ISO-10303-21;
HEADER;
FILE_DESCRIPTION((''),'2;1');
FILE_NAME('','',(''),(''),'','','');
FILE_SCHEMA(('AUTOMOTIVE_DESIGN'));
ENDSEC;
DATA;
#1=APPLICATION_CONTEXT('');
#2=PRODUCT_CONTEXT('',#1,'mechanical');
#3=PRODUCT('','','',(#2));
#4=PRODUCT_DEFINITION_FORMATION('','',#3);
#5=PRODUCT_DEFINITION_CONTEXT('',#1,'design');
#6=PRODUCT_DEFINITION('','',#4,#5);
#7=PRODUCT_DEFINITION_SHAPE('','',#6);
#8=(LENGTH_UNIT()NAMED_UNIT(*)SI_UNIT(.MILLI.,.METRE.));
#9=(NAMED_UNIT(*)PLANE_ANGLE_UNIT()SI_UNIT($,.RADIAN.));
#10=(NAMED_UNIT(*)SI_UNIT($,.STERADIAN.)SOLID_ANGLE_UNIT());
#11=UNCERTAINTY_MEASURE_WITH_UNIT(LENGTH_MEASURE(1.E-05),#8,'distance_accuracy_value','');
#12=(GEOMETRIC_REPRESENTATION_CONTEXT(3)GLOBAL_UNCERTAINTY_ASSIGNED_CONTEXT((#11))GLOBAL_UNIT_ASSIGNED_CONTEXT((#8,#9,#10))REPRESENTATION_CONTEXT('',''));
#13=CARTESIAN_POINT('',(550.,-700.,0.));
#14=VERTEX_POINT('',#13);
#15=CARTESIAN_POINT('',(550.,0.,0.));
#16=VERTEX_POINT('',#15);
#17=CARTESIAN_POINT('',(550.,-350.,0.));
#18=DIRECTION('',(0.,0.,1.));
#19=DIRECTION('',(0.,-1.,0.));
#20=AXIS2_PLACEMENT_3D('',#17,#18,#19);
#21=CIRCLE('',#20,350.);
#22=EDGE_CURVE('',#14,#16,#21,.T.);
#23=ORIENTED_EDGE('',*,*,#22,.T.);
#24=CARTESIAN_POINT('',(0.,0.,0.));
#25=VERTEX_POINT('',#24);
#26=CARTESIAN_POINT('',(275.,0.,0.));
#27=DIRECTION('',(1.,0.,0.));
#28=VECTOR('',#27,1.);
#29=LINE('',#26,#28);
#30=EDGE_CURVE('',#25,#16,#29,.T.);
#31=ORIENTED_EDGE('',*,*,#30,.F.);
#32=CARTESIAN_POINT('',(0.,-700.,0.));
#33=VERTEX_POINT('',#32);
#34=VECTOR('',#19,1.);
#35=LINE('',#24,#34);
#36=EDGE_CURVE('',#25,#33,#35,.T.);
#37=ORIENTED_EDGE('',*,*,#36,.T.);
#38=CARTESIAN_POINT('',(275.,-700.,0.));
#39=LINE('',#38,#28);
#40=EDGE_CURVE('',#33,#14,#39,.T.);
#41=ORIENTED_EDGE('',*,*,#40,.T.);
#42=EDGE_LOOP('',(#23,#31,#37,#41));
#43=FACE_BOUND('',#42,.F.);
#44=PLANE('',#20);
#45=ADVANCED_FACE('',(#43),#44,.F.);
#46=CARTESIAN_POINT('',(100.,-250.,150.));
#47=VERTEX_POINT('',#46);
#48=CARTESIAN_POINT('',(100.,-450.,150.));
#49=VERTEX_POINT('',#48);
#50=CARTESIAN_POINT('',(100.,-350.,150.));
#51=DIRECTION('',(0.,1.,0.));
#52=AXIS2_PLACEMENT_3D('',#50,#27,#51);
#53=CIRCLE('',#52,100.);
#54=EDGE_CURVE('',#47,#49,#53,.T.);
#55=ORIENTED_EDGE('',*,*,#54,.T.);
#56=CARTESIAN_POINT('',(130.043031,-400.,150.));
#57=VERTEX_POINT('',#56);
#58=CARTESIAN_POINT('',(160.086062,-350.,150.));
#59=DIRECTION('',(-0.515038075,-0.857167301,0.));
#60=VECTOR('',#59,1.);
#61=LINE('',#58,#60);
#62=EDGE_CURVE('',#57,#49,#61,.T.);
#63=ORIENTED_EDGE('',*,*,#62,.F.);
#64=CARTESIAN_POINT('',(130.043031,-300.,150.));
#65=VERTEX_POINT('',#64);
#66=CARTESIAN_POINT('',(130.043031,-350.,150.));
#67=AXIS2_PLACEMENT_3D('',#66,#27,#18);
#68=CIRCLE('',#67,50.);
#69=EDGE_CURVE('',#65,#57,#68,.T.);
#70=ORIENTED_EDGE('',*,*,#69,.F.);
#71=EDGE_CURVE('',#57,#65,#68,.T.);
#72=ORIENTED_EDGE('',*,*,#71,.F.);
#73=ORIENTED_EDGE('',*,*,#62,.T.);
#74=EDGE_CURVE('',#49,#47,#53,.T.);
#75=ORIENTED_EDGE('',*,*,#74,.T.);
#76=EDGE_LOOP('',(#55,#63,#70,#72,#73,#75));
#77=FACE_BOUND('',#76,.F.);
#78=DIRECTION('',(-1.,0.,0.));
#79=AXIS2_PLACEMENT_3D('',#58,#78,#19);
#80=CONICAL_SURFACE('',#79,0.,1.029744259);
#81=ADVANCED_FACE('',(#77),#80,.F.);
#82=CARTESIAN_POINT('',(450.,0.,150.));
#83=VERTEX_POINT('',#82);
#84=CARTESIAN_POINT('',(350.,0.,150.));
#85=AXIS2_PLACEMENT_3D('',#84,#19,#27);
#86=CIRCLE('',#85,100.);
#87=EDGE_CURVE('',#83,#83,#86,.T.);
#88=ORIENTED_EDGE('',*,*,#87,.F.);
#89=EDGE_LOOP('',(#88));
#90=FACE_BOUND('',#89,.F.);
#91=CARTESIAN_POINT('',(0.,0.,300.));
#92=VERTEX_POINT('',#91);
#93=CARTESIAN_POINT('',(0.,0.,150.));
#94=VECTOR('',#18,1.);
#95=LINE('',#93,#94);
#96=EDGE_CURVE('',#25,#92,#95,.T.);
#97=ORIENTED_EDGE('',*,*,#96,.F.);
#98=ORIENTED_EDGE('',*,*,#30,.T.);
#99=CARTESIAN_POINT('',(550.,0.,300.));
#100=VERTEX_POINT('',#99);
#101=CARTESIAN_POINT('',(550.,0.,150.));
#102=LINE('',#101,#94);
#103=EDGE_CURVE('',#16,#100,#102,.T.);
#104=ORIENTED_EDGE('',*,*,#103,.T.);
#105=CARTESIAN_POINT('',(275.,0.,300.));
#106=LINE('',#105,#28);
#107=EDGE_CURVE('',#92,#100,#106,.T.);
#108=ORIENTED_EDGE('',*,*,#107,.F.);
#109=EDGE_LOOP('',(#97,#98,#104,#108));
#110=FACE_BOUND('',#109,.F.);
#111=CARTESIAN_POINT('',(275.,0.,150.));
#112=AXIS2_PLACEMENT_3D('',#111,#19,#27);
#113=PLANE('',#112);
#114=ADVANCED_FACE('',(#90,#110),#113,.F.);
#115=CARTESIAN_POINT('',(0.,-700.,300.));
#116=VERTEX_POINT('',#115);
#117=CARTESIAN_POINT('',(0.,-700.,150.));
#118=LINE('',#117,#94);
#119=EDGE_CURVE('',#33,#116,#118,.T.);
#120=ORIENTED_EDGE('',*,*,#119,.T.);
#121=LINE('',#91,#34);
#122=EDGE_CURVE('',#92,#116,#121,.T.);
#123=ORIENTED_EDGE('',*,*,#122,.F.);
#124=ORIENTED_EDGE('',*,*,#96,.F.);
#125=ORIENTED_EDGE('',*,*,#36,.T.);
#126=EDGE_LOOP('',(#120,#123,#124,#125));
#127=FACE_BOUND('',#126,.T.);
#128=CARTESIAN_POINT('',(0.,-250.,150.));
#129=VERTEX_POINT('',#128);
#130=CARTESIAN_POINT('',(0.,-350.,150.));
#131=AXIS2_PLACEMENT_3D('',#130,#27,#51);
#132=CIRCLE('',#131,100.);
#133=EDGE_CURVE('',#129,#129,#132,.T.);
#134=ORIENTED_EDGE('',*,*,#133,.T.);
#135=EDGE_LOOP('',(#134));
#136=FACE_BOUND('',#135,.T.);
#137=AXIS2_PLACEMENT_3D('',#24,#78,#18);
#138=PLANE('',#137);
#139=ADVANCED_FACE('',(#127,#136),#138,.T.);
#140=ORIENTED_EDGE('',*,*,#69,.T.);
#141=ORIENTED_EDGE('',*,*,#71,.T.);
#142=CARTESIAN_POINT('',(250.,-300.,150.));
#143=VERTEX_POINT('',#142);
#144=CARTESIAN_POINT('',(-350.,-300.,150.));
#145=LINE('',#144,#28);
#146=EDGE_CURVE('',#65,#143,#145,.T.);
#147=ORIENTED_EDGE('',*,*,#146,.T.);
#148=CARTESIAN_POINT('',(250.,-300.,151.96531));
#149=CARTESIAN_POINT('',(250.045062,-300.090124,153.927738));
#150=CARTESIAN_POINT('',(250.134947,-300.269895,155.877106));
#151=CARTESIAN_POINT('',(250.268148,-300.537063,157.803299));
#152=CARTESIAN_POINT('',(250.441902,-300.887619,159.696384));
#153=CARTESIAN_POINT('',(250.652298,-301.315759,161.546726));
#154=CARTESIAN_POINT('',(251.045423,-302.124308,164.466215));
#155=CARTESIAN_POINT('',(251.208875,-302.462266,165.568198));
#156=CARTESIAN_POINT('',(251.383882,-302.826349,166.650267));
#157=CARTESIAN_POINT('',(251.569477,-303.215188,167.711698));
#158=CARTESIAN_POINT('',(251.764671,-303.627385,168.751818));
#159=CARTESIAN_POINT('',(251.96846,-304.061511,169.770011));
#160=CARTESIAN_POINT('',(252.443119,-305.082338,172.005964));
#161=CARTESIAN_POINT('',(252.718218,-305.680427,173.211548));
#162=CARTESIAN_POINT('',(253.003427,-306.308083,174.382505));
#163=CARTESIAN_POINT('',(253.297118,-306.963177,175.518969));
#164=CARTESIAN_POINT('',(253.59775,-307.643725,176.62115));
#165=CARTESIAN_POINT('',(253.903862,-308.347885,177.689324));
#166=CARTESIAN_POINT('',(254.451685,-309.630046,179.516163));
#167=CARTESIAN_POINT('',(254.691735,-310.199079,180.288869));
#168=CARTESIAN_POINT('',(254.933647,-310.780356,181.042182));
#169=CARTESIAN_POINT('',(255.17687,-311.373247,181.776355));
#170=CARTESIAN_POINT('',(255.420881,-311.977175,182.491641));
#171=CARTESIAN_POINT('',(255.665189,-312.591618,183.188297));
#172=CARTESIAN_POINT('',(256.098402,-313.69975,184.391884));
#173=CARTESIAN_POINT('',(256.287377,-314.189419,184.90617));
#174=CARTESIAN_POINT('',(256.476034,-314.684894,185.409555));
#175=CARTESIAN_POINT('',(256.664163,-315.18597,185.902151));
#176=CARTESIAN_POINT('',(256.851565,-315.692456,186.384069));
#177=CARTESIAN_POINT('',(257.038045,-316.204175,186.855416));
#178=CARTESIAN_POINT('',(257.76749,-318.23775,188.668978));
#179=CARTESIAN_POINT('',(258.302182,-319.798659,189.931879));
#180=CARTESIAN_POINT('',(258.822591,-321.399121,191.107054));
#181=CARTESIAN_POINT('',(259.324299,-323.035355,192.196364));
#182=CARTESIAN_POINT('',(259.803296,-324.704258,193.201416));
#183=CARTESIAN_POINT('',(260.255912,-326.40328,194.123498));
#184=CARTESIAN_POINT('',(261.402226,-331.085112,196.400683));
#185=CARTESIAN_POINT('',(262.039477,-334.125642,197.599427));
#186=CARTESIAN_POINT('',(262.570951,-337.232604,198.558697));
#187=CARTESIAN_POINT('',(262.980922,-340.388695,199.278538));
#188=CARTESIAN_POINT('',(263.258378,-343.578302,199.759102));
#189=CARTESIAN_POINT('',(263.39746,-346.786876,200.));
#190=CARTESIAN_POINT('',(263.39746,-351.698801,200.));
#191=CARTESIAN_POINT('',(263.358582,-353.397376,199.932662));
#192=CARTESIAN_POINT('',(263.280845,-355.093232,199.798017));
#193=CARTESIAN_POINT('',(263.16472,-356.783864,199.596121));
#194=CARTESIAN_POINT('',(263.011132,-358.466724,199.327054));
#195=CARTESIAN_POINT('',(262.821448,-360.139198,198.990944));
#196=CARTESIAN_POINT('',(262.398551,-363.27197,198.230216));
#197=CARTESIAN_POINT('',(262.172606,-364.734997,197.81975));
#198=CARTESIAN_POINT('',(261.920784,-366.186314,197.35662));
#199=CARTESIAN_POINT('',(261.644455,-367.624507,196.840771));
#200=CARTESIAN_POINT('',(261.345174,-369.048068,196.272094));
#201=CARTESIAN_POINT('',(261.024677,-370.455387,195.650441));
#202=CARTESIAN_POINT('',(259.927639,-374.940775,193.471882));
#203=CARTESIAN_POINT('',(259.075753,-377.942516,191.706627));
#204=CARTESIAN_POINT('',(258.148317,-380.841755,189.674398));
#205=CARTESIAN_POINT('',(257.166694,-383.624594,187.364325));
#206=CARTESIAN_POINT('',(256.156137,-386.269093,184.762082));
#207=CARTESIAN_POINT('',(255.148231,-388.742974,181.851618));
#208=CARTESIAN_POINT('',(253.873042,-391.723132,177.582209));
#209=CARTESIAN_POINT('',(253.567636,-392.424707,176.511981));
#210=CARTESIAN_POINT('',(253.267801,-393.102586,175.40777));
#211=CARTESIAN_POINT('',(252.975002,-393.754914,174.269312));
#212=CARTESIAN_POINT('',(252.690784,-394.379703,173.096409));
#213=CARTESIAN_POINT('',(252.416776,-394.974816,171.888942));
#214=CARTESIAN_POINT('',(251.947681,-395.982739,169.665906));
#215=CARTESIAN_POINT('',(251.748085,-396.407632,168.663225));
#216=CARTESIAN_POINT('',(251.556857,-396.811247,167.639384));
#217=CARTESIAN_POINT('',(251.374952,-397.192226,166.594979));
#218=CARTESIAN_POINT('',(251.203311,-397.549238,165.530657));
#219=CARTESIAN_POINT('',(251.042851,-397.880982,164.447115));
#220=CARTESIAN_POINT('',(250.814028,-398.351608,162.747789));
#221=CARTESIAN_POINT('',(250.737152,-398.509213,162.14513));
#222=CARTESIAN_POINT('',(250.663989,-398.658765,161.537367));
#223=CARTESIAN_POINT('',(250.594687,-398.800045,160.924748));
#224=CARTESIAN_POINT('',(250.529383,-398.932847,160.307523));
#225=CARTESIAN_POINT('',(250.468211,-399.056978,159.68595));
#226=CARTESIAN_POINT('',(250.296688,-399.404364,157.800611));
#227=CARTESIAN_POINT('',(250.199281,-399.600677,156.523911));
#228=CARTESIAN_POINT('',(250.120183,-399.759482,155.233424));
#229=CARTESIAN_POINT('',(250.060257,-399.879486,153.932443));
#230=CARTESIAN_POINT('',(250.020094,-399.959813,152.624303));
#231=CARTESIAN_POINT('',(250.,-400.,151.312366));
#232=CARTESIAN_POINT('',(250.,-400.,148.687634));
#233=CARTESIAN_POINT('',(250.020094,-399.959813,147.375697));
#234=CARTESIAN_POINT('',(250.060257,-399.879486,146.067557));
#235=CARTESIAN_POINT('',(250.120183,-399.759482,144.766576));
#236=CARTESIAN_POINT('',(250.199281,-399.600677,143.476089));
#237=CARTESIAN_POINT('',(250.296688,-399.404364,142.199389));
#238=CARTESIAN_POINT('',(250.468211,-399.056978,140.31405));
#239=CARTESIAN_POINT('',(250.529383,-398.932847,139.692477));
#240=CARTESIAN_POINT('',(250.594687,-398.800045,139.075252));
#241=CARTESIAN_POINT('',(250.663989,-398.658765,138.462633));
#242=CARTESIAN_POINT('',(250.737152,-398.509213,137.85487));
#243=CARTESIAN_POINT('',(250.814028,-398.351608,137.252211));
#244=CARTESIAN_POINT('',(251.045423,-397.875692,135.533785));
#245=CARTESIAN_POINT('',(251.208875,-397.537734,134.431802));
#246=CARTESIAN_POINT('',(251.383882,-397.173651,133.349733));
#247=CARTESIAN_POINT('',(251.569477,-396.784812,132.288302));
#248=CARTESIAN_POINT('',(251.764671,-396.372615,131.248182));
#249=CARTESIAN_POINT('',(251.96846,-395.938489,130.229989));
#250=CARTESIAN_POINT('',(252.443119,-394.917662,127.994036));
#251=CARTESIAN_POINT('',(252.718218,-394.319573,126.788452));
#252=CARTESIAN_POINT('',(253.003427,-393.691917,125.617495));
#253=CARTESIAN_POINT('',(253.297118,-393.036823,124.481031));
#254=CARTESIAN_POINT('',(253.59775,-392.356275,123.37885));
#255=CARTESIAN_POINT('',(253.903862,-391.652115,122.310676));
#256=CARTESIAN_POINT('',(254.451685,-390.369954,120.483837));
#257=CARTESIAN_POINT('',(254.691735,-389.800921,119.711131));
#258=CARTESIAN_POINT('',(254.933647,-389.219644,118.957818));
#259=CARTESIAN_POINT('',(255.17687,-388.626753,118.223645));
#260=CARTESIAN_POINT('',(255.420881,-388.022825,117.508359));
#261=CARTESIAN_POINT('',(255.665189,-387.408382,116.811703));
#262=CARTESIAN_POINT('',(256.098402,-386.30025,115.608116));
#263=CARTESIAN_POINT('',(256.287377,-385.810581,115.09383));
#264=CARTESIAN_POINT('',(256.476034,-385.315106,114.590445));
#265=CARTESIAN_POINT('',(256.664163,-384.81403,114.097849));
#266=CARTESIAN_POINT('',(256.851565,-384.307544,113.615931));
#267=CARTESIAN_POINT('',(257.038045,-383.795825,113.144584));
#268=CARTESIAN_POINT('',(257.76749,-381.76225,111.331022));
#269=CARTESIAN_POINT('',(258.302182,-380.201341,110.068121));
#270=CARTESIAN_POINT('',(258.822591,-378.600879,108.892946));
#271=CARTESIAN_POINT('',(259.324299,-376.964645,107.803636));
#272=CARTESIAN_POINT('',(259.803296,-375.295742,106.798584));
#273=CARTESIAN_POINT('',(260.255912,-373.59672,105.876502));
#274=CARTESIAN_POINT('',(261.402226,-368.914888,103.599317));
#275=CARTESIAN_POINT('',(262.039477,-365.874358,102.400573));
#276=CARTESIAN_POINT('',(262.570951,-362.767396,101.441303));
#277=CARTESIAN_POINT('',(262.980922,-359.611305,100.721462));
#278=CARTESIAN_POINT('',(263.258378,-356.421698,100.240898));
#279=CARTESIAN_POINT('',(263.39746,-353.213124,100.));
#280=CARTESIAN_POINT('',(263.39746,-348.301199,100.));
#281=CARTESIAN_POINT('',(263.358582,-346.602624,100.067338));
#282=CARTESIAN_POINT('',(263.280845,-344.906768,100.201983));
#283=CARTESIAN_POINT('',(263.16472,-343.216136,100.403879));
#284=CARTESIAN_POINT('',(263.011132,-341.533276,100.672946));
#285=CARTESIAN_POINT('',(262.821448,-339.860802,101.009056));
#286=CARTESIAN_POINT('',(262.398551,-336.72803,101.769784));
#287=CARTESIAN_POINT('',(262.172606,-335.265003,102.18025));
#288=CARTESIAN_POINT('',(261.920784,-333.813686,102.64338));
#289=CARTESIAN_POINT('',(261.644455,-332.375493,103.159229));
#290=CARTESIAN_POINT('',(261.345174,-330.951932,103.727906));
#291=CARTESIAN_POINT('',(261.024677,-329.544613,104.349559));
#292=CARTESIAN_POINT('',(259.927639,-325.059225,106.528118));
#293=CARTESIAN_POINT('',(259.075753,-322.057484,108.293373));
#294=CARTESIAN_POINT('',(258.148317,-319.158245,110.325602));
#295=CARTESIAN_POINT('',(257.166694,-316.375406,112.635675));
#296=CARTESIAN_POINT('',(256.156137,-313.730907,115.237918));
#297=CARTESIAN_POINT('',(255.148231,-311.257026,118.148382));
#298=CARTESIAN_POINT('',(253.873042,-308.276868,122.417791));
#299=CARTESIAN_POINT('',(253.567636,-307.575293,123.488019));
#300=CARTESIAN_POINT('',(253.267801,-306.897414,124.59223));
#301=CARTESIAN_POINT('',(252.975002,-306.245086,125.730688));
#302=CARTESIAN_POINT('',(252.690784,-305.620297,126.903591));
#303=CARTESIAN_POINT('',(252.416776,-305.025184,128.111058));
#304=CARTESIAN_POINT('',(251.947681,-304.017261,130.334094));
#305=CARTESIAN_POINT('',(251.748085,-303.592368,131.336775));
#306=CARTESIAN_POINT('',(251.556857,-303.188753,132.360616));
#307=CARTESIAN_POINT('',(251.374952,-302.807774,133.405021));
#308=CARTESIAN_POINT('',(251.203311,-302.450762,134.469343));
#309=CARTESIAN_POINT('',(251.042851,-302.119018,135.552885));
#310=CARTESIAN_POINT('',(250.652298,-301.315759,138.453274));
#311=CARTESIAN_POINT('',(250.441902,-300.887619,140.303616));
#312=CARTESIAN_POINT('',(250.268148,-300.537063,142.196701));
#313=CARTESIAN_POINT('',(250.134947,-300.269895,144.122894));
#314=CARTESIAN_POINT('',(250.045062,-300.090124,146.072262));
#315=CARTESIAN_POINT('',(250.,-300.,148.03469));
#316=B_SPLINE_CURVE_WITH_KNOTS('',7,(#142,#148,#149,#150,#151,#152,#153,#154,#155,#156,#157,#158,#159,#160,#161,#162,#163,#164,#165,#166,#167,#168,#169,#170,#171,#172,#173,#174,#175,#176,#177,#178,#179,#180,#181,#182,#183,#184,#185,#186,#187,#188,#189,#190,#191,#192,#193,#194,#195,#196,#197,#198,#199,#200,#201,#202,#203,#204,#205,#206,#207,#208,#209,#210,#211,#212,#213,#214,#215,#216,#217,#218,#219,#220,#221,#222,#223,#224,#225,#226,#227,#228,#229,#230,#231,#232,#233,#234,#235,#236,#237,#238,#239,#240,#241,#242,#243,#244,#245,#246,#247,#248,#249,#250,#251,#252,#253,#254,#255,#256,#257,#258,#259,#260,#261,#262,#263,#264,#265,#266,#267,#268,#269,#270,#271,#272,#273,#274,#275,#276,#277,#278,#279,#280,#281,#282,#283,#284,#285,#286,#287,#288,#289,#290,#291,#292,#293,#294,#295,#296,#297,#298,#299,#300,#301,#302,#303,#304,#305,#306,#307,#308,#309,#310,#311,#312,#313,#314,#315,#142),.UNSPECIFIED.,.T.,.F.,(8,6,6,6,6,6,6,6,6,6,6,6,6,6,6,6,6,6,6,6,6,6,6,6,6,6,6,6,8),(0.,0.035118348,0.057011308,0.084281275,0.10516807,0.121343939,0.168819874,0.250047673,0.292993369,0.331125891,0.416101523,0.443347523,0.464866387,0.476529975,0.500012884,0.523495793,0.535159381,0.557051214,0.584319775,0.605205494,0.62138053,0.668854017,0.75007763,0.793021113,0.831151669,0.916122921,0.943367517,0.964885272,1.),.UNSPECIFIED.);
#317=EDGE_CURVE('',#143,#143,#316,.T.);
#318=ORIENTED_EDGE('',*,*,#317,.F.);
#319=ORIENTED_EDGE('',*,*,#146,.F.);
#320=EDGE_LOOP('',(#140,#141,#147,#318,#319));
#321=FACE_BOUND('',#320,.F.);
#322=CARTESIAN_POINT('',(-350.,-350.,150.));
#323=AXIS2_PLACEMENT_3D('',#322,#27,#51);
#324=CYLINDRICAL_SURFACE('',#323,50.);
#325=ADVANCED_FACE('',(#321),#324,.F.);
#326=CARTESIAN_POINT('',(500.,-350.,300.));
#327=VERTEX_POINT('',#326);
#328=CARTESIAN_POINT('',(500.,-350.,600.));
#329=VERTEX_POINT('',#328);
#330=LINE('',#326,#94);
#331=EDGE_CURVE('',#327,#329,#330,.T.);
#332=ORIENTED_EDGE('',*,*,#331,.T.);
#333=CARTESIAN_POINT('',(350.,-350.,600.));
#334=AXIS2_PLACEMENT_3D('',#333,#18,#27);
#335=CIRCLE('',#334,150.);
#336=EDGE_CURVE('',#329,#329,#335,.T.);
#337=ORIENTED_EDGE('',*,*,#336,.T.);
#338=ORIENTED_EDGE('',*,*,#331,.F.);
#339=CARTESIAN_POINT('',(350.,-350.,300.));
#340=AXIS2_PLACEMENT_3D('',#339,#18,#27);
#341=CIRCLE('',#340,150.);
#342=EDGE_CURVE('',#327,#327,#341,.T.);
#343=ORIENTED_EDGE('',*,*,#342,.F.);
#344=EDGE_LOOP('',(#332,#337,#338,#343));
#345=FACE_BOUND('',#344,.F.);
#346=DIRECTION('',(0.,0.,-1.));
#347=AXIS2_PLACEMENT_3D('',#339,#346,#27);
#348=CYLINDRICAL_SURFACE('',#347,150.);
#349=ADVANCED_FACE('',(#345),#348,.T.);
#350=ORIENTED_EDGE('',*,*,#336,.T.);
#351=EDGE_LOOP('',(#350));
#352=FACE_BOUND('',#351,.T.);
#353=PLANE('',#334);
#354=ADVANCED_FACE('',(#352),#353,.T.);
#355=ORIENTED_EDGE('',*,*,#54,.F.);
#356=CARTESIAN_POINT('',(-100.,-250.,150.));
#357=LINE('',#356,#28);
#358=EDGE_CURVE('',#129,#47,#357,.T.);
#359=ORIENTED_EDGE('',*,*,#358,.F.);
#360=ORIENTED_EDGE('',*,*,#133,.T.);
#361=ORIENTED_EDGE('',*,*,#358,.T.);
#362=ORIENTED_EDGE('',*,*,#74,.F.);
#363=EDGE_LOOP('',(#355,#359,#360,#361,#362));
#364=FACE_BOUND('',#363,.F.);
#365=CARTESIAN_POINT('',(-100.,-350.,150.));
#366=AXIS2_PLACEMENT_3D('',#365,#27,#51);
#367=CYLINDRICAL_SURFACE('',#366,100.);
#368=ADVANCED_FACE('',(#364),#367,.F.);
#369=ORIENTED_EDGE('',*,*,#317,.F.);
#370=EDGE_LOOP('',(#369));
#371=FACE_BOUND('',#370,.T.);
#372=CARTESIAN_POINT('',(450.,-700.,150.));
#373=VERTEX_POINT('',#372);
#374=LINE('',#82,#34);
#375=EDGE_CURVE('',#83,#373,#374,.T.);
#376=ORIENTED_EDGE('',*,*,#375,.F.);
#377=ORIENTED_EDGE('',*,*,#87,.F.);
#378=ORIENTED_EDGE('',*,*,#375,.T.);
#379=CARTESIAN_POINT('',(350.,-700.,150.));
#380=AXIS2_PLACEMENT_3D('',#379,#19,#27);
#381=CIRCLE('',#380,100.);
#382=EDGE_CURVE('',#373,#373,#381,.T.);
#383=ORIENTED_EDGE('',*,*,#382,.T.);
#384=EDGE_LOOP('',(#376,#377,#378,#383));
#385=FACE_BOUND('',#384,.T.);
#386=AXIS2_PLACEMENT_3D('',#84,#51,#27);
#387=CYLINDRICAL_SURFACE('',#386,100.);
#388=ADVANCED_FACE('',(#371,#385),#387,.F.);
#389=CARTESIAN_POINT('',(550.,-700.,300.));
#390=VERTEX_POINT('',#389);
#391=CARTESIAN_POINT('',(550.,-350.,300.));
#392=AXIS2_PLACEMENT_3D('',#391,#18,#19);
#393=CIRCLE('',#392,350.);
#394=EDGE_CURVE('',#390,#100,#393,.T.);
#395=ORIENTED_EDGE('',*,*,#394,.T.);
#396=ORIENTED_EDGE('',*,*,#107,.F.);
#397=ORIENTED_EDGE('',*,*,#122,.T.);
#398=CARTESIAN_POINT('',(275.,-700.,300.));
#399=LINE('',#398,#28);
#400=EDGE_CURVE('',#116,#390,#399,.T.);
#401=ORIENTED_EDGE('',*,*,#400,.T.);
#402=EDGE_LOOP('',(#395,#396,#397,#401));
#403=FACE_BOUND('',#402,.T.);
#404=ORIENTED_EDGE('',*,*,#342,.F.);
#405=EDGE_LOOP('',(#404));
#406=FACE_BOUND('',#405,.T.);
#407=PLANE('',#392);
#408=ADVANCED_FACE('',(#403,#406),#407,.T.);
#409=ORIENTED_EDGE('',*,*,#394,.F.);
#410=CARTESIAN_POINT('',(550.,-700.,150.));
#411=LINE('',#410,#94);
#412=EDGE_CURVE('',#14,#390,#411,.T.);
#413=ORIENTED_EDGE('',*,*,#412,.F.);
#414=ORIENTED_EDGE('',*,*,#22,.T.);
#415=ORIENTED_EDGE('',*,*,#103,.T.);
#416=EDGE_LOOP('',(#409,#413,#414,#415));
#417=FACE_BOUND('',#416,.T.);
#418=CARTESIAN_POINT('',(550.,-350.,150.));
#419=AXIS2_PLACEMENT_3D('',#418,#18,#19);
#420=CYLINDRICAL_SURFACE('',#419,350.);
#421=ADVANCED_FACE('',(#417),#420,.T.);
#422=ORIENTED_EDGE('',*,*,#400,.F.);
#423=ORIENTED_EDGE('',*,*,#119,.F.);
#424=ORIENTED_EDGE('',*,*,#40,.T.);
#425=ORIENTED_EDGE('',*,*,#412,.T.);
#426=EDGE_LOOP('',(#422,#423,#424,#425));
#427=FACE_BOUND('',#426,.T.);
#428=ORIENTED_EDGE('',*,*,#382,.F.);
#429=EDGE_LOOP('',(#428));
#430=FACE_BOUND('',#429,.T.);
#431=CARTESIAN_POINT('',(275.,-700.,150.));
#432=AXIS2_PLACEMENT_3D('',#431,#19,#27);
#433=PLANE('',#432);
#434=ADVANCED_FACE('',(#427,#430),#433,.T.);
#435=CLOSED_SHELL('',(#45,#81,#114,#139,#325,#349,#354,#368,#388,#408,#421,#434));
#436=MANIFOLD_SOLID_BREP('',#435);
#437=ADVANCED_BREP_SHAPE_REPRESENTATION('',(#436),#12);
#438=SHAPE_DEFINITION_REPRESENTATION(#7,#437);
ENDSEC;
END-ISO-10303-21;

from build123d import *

# Parameters (mm, degrees)
F0_W     = 550
F0_H     = 300
F0_R     = 100
F1_DEPTH = 700
F2_W     = 350
F2_H     = 300
F3_ANGLE = 180
F5_D     = 100
F5_DEPTH = 350
F5_TIP   = 30.0430309514
F6_D     = 200
F6_DEPTH = 100
F6_TIP   = 60.0860619028
F7_R     = 150
F8_DEPTH = 300


with BuildPart() as f1:
    # F0 (on Front) → F1 (new body)
    with BuildSketch(Plane.XZ):
        with Locations((275, 150)):
            Rectangle(F0_W, F0_H)
        with Locations((350, 150)):
            Circle(F0_R, mode=Mode.SUBTRACT)
    extrude(amount=F1_DEPTH)

    # F2 (on face) → F3 (revolve)
    with BuildSketch(Plane.YZ.offset(550)):
        with Locations((-525, 150)):
            Rectangle(F2_W, F2_H)
    revolve(axis=Axis((550, -350, 150), (0, 0, 1)), revolution_arc=F3_ANGLE)

    # F5
    with Locations(Plane(origin=(0, 0, 0), x_dir=(0, -1, 0), z_dir=(-1, 0, 0))):
        with Locations((350, 150)):
            Hole(F5_D / 2, depth=F5_DEPTH)
            with Locations((0, 0, -(F5_DEPTH + F5_TIP / 2))):  # 118° drill point
                Cone(0, F5_D / 2, F5_TIP, mode=Mode.SUBTRACT)

    # F6
    with Locations(Plane(origin=(0, 0, 0), x_dir=(0, -1, 0), z_dir=(-1, 0, 0))):
        with Locations((350, 150)):
            Hole(F6_D / 2, depth=F6_DEPTH)
            with Locations((0, 0, -(F6_DEPTH + F6_TIP / 2))):  # 118° drill point
                Cone(0, F6_D / 2, F6_TIP, mode=Mode.SUBTRACT)

    # F7 (on face) → F8 (join)
    with BuildSketch(Plane.XY.offset(300)):
        with Locations((350, -350)):
            Circle(F7_R)
    extrude(amount=F8_DEPTH)


solid = f1.part
